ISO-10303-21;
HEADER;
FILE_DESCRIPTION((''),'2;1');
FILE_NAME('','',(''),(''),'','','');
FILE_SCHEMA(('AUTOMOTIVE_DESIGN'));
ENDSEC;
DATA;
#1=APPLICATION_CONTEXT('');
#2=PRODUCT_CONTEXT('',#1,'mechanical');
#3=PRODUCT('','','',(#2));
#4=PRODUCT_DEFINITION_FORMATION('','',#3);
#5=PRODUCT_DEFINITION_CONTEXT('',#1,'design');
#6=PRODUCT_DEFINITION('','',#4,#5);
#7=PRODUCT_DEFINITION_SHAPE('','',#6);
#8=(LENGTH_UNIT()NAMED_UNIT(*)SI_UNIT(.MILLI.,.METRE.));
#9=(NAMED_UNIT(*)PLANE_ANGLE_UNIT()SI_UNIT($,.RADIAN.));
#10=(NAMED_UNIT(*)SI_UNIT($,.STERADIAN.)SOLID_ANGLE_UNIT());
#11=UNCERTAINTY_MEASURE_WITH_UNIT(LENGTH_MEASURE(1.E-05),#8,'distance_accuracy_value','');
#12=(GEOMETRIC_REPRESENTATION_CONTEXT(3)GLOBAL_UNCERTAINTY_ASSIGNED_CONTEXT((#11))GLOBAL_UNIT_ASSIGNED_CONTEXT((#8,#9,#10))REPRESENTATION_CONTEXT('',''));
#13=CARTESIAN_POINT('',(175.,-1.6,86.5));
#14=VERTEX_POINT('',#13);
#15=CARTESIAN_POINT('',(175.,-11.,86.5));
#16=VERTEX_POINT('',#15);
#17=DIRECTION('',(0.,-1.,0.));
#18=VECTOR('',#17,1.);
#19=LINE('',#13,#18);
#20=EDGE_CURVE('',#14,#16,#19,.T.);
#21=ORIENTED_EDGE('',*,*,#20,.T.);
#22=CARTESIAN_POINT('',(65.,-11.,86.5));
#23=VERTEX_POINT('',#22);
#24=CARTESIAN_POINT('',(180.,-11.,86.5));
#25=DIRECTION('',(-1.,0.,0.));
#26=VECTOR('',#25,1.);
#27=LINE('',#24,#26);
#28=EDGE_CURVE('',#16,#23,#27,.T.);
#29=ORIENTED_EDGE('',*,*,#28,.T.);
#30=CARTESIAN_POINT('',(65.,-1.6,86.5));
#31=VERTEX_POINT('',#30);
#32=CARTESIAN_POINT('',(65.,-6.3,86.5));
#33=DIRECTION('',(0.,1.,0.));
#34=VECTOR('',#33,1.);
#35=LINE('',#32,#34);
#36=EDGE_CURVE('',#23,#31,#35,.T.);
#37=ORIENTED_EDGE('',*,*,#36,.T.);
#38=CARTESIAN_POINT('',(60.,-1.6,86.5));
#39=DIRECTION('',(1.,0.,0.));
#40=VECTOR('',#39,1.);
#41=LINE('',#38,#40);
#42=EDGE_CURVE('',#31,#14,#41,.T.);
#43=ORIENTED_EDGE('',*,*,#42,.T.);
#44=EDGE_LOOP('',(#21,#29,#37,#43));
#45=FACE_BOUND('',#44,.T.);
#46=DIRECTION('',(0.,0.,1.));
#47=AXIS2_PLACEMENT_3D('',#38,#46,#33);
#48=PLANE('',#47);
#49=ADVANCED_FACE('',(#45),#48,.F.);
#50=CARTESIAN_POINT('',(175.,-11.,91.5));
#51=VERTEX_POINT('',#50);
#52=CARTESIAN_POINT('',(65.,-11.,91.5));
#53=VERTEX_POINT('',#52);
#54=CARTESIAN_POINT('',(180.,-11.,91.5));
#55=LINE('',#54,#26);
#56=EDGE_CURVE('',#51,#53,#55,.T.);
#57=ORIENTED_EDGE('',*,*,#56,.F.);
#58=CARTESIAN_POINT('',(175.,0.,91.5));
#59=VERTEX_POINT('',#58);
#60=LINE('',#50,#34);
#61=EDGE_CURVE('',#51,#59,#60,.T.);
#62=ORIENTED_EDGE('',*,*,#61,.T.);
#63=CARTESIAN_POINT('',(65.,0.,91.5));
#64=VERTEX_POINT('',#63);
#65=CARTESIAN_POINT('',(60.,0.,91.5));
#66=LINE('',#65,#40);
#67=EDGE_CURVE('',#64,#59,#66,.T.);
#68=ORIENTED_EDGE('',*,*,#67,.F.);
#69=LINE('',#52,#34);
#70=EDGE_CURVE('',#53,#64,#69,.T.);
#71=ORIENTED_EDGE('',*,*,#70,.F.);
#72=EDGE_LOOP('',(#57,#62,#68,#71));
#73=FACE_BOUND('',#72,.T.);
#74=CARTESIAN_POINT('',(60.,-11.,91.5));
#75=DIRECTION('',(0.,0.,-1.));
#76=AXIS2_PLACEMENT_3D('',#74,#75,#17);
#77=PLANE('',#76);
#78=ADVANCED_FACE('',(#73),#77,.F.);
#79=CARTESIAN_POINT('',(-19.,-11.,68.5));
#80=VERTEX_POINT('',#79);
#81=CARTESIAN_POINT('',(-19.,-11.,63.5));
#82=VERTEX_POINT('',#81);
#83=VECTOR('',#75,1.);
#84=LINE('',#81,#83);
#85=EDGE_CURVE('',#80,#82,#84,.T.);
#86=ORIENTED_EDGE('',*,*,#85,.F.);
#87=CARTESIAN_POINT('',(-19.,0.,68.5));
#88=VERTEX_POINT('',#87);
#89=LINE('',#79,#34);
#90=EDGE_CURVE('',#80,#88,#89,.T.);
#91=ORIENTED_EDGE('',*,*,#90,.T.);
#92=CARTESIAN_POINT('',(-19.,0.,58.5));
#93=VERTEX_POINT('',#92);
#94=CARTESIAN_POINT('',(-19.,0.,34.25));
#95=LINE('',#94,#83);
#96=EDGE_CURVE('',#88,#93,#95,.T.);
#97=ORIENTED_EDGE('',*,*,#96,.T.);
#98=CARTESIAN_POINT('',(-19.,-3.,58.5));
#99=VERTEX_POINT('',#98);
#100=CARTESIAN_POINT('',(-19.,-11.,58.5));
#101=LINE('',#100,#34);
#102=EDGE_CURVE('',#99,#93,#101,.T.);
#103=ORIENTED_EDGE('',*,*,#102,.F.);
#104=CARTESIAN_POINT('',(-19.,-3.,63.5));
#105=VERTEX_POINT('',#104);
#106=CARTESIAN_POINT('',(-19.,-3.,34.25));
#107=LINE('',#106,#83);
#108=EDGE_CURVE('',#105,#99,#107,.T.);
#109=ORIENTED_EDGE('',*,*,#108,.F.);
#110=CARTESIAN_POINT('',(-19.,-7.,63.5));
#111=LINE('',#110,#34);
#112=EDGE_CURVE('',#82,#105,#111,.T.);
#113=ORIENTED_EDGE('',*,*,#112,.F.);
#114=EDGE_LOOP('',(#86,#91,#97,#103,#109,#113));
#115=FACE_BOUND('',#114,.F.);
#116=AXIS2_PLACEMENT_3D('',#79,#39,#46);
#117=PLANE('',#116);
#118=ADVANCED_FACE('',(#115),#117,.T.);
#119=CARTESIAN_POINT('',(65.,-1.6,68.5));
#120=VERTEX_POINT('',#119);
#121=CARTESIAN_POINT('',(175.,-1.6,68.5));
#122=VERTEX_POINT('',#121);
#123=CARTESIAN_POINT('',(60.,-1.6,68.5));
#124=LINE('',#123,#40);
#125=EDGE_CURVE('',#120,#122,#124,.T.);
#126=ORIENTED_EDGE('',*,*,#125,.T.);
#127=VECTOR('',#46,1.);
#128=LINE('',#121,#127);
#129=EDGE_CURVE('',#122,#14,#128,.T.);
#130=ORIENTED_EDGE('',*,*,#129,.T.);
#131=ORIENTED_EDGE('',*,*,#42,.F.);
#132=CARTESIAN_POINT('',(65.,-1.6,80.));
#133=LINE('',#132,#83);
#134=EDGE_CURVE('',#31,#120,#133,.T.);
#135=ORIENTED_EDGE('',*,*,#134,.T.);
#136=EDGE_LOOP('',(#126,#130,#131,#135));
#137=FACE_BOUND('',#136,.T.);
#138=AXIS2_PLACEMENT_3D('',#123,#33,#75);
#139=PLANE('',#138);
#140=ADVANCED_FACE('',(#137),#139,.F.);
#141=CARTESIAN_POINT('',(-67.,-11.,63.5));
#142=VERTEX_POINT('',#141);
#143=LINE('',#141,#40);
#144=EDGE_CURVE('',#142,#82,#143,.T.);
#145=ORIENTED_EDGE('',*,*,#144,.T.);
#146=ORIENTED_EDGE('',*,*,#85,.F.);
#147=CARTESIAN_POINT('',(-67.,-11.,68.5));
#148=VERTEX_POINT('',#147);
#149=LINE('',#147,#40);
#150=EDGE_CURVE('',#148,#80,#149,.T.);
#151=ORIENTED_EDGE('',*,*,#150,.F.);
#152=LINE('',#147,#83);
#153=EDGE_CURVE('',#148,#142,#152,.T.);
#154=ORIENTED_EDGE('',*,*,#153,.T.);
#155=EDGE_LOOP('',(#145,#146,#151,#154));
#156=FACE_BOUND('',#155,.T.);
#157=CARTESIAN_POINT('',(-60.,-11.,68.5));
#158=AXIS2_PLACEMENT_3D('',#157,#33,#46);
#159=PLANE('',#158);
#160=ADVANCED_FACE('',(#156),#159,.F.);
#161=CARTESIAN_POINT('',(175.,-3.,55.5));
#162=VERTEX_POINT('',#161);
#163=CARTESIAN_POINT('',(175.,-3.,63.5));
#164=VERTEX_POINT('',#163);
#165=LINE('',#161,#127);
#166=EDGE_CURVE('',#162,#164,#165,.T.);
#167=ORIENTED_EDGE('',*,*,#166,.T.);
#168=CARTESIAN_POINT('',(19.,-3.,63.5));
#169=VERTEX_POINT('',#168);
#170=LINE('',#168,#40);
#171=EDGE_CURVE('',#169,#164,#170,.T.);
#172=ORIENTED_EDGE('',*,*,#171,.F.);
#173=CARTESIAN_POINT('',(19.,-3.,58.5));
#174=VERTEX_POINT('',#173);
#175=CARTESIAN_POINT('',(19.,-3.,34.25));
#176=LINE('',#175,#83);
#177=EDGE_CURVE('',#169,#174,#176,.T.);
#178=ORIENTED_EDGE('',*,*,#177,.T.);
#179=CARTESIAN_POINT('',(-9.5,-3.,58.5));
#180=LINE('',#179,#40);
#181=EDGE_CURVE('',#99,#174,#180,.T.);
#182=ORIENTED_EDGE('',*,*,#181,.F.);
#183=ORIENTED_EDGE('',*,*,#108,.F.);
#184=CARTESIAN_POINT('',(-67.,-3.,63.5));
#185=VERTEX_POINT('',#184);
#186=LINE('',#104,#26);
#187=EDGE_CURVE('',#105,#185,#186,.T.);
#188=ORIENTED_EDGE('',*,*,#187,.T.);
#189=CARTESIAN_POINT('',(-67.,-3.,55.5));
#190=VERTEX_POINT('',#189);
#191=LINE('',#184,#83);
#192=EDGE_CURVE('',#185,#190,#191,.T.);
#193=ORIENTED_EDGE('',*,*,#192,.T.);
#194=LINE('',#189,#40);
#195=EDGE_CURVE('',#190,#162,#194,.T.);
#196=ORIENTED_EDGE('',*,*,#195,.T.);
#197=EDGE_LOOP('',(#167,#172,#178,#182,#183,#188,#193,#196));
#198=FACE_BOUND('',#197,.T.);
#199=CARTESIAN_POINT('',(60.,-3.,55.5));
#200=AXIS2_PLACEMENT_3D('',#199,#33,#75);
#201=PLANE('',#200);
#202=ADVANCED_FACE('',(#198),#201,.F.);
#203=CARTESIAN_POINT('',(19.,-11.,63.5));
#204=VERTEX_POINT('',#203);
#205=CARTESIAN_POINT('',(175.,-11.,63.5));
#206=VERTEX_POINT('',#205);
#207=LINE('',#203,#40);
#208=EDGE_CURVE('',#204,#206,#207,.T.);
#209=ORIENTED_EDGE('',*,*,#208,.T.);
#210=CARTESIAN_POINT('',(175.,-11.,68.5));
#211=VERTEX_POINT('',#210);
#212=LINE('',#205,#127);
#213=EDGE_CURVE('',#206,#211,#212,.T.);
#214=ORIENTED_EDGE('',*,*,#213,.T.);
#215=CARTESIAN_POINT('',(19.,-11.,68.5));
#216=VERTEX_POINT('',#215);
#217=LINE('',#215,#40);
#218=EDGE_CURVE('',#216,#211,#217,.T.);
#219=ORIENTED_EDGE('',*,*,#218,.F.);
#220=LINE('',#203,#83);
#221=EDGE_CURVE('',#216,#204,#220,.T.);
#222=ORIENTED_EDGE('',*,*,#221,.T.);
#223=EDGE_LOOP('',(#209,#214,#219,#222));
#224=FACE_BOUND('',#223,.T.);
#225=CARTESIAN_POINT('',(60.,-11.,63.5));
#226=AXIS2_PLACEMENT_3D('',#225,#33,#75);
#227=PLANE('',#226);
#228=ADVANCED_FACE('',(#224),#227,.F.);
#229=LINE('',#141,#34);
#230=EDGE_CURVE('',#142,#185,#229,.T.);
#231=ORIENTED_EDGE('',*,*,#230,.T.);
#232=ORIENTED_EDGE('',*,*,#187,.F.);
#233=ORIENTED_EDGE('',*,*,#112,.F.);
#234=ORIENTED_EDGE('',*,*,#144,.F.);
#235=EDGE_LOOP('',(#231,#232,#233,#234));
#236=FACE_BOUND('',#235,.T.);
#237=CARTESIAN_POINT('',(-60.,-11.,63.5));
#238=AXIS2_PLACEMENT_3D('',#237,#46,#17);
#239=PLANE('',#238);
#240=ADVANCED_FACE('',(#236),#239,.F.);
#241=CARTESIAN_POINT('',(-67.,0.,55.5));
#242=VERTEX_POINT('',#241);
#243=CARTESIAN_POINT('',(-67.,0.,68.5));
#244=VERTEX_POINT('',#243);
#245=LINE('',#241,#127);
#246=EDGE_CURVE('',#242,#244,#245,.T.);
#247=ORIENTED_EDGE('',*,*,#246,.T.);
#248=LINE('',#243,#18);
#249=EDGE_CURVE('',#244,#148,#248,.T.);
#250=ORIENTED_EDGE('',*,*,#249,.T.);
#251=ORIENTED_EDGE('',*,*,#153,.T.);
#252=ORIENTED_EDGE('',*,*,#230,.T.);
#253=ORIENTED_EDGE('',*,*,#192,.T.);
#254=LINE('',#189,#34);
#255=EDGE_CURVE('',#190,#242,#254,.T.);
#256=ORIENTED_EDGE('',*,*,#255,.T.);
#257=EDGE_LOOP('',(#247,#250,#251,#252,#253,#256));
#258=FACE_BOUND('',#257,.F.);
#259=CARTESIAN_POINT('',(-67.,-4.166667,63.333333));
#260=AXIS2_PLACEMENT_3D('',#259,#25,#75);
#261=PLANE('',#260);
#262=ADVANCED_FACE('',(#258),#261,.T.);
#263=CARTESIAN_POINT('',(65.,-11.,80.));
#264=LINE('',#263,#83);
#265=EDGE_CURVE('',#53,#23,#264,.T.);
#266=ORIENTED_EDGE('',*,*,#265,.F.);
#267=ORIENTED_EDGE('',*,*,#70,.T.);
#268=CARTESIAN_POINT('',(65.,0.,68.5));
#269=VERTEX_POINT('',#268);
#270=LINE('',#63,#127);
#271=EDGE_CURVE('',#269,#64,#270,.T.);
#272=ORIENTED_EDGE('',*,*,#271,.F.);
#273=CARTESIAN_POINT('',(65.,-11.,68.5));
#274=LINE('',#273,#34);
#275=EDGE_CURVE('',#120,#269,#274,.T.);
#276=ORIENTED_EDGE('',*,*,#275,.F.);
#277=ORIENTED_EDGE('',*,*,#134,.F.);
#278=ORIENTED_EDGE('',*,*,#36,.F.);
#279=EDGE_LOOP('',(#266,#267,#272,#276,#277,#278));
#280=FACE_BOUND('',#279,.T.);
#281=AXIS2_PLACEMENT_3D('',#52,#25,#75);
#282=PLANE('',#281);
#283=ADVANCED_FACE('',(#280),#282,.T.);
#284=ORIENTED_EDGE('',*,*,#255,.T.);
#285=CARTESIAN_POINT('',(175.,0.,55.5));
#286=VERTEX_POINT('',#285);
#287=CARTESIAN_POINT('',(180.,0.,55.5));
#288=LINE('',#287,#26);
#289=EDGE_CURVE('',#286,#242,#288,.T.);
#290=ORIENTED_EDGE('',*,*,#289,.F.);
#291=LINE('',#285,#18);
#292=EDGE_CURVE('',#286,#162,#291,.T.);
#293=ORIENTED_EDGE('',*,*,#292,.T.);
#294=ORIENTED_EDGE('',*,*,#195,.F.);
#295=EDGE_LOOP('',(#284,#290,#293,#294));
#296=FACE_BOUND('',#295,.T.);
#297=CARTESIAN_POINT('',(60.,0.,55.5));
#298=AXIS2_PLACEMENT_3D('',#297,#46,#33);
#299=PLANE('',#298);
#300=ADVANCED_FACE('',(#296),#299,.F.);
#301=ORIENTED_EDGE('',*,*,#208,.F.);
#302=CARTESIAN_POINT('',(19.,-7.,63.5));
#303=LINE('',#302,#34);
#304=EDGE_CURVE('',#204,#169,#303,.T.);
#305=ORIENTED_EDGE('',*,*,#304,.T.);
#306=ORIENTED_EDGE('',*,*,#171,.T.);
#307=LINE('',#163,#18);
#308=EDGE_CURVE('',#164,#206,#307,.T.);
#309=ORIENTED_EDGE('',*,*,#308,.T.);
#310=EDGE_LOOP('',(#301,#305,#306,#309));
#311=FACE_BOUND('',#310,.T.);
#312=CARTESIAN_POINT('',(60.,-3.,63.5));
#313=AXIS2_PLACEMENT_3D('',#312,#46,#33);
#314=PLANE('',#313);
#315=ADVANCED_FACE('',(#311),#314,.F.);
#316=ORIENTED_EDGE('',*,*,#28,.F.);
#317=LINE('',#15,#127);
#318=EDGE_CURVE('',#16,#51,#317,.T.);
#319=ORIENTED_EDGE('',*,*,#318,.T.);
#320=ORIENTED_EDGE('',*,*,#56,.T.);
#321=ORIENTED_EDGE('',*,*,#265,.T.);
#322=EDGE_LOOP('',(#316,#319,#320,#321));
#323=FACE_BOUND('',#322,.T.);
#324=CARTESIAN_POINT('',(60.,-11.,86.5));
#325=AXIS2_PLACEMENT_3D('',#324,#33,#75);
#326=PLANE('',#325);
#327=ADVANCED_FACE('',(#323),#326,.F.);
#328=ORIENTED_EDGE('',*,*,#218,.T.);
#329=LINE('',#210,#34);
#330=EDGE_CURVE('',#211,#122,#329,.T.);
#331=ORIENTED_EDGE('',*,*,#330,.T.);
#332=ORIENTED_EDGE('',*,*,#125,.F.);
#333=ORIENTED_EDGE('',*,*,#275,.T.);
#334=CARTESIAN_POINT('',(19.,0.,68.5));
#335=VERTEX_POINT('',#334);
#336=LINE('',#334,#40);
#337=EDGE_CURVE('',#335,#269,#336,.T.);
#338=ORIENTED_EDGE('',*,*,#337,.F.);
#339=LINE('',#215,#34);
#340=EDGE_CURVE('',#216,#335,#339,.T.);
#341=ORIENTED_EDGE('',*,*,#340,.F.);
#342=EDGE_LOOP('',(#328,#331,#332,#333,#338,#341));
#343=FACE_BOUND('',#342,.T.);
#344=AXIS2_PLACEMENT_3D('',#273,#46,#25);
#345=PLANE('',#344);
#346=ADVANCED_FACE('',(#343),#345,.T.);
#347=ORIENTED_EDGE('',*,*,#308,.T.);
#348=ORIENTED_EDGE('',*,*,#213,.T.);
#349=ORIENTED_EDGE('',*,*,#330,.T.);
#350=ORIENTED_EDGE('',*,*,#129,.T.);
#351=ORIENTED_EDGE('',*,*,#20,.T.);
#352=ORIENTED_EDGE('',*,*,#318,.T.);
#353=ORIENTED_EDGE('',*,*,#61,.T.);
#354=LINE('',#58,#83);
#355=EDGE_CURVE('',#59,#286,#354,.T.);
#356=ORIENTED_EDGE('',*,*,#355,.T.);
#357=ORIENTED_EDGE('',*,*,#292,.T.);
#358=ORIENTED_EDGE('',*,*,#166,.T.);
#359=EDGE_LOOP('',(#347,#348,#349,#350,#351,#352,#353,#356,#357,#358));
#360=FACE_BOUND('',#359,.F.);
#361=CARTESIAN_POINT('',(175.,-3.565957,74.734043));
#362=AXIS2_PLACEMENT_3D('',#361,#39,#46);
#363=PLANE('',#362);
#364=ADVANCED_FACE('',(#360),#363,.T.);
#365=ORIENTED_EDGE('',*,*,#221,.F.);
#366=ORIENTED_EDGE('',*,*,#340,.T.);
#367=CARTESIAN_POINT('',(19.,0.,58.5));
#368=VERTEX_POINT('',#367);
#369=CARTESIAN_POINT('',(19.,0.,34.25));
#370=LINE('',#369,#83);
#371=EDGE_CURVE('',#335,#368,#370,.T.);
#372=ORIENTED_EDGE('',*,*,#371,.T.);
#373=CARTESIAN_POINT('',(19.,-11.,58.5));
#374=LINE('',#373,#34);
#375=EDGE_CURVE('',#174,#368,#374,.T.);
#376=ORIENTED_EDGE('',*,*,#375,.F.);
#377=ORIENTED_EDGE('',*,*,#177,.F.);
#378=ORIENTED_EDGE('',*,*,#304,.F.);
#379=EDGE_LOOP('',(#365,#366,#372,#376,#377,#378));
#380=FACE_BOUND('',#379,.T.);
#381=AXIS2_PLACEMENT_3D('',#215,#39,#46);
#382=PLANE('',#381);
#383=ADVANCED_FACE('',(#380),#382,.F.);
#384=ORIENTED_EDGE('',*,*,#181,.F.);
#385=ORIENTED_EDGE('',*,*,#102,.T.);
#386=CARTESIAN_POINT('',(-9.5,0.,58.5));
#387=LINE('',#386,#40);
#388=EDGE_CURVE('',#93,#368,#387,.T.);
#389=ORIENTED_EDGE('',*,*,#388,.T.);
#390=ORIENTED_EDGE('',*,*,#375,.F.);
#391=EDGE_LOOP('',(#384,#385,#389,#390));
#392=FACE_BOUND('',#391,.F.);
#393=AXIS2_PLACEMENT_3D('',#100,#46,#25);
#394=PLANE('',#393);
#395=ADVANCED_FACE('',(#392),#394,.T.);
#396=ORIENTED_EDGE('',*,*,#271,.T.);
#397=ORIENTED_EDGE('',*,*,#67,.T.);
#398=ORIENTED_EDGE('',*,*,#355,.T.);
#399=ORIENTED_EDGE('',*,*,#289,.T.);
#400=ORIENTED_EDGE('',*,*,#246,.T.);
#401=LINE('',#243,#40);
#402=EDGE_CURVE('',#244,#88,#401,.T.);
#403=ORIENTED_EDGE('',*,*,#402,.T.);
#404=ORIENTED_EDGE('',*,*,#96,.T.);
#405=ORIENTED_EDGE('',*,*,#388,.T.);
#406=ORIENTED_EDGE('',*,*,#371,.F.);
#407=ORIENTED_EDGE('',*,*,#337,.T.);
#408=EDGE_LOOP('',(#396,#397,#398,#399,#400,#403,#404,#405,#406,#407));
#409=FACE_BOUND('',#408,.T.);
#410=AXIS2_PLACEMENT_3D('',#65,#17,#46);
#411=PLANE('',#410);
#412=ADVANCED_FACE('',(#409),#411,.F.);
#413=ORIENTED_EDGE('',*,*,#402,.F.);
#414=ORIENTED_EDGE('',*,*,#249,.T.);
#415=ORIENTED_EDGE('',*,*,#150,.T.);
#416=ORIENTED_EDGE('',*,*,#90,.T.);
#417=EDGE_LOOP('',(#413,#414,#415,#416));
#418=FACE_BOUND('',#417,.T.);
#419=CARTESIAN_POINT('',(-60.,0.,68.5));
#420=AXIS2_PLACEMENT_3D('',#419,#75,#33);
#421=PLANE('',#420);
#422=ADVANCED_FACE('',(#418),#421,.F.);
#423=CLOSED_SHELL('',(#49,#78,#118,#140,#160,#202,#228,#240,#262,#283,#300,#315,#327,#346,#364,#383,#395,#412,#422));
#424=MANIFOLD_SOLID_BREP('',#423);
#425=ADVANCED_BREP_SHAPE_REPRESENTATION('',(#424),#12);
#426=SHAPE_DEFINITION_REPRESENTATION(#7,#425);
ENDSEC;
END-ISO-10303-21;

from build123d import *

# Parameters (mm, degrees)
SKETCH1_W               = 120
SKETCH1_H               = 137
BOSS_EXTRUDE1_DEPTH     = 3
SKETCH2_W               = 120
SKETCH2_H               = 5
BOSS_EXTRUDE2_DEPTH     = 8
SKETCH3_W               = 38
SKETCH3_H               = 10
CUT_EXTRUDE1_DEPTH      = 25
SKETCH4_W               = 120
SKETCH4_H               = 124
CUT_EXTRUDE2_DEPTH      = 92.412526494
CUT_EXTRUDE2_DEPTH_BACK = 92.412526494
BOSS_EXTRUDE3_DEPTH     = 7
BOSS_EXTRUDE4_DEPTH     = 120
SKETCH9_W               = 5
SKETCH9_H               = 23
CUT_EXTRUDE3_DEPTH      = 203.220795172
CUT_EXTRUDE3_DEPTH_BACK = 203.220795172
MOVE_FACE1_BY           = 5


with BuildPart() as part:
    # Sketch1 → Boss-Extrude1 (new body)
    with BuildSketch(Plane(origin=(0, 0, 0), x_dir=(1, 0, 0), z_dir=(0, 1, 0))):
        Rectangle(SKETCH1_W, SKETCH1_H)
    extrude(amount=BOSS_EXTRUDE1_DEPTH)

    # Sketch2 → Boss-Extrude2 (add)
    with BuildSketch(Plane(origin=(0, 3, 0), x_dir=(1, 0, 0), z_dir=(0, 1, 0))):
        with Locations((0, -66)):
            Rectangle(SKETCH2_W, SKETCH2_H)
    extrude(amount=BOSS_EXTRUDE2_DEPTH)

    # Sketch3 → Cut-Extrude1 (cut)
    with BuildSketch(Plane(origin=(0, 11, 0), x_dir=(1, 0, 0), z_dir=(0, 1, 0))):
        with Locations((0, -63.5)):
            Rectangle(SKETCH3_W, SKETCH3_H)
    extrude(amount=-CUT_EXTRUDE1_DEPTH, mode=Mode.SUBTRACT)

    # Sketch4 → Cut-Extrude2 (cut, two sides)
    with BuildSketch(Plane(origin=(0, 3, 0), x_dir=(1, 0, 0), z_dir=(0, 1, 0))) as cut_extrude2_sk:
        with Locations((0, 6.5)):
            Rectangle(SKETCH4_W, SKETCH4_H)
    extrude(amount=CUT_EXTRUDE2_DEPTH, mode=Mode.SUBTRACT)
    extrude(cut_extrude2_sk.sketch, amount=-CUT_EXTRUDE2_DEPTH_BACK, mode=Mode.SUBTRACT)

    # Sketch7 → Boss-Extrude3 (add)
    with BuildSketch(Plane.ZY.offset(60)):
        Polygon((63.5, 11), (63.5, 3), (55.5, 3), (55.5, 0), (68.5, 0), (68.5, 11), align=None)
    extrude(amount=BOSS_EXTRUDE3_DEPTH)

    # Sketch8 → Boss-Extrude4 (add)
    with BuildSketch(Plane(origin=(60, 0, 0), x_dir=(0, 0, -1), z_dir=(1, 0, 0))):
        Polygon((-55.5, 0), (-55.5, 3), (-63.5, 3), (-63.5, 11), (-68.5, 11), (-68.5, 1.6), (-86.5, 1.6), (-86.5, 11), (-91.5, 11), (-91.5, 0), align=None)
    extrude(amount=BOSS_EXTRUDE4_DEPTH)


with BuildPart() as body_2:
    # Mirror2: mirrored copy
    add(part.part.mirror(Plane(origin=(0, 0, 0), x_dir=(0, 0, 1), z_dir=(0, -1, 0))))

    # Sketch9 → Cut-Extrude3 (cut, two sides)
    with BuildSketch(Plane(origin=(0, -11, 0), x_dir=(-1, 0, 0), z_dir=(0, -1, 0))) as cut_extrude3_sk:
        with Locations((-62.5, -80)):
            Rectangle(SKETCH9_W, SKETCH9_H)
    extrude(amount=CUT_EXTRUDE3_DEPTH, mode=Mode.SUBTRACT)
    extrude(cut_extrude3_sk.sketch, amount=-CUT_EXTRUDE3_DEPTH_BACK, mode=Mode.SUBTRACT)

    # Move Face1: a face moved inward by 5.0
    extrude(body_2.faces().sort_by_distance((180, -1.1, 73.5))[0], amount=MOVE_FACE1_BY, dir=(-1, 0, 0), mode=Mode.SUBTRACT)


solid = body_2.part
